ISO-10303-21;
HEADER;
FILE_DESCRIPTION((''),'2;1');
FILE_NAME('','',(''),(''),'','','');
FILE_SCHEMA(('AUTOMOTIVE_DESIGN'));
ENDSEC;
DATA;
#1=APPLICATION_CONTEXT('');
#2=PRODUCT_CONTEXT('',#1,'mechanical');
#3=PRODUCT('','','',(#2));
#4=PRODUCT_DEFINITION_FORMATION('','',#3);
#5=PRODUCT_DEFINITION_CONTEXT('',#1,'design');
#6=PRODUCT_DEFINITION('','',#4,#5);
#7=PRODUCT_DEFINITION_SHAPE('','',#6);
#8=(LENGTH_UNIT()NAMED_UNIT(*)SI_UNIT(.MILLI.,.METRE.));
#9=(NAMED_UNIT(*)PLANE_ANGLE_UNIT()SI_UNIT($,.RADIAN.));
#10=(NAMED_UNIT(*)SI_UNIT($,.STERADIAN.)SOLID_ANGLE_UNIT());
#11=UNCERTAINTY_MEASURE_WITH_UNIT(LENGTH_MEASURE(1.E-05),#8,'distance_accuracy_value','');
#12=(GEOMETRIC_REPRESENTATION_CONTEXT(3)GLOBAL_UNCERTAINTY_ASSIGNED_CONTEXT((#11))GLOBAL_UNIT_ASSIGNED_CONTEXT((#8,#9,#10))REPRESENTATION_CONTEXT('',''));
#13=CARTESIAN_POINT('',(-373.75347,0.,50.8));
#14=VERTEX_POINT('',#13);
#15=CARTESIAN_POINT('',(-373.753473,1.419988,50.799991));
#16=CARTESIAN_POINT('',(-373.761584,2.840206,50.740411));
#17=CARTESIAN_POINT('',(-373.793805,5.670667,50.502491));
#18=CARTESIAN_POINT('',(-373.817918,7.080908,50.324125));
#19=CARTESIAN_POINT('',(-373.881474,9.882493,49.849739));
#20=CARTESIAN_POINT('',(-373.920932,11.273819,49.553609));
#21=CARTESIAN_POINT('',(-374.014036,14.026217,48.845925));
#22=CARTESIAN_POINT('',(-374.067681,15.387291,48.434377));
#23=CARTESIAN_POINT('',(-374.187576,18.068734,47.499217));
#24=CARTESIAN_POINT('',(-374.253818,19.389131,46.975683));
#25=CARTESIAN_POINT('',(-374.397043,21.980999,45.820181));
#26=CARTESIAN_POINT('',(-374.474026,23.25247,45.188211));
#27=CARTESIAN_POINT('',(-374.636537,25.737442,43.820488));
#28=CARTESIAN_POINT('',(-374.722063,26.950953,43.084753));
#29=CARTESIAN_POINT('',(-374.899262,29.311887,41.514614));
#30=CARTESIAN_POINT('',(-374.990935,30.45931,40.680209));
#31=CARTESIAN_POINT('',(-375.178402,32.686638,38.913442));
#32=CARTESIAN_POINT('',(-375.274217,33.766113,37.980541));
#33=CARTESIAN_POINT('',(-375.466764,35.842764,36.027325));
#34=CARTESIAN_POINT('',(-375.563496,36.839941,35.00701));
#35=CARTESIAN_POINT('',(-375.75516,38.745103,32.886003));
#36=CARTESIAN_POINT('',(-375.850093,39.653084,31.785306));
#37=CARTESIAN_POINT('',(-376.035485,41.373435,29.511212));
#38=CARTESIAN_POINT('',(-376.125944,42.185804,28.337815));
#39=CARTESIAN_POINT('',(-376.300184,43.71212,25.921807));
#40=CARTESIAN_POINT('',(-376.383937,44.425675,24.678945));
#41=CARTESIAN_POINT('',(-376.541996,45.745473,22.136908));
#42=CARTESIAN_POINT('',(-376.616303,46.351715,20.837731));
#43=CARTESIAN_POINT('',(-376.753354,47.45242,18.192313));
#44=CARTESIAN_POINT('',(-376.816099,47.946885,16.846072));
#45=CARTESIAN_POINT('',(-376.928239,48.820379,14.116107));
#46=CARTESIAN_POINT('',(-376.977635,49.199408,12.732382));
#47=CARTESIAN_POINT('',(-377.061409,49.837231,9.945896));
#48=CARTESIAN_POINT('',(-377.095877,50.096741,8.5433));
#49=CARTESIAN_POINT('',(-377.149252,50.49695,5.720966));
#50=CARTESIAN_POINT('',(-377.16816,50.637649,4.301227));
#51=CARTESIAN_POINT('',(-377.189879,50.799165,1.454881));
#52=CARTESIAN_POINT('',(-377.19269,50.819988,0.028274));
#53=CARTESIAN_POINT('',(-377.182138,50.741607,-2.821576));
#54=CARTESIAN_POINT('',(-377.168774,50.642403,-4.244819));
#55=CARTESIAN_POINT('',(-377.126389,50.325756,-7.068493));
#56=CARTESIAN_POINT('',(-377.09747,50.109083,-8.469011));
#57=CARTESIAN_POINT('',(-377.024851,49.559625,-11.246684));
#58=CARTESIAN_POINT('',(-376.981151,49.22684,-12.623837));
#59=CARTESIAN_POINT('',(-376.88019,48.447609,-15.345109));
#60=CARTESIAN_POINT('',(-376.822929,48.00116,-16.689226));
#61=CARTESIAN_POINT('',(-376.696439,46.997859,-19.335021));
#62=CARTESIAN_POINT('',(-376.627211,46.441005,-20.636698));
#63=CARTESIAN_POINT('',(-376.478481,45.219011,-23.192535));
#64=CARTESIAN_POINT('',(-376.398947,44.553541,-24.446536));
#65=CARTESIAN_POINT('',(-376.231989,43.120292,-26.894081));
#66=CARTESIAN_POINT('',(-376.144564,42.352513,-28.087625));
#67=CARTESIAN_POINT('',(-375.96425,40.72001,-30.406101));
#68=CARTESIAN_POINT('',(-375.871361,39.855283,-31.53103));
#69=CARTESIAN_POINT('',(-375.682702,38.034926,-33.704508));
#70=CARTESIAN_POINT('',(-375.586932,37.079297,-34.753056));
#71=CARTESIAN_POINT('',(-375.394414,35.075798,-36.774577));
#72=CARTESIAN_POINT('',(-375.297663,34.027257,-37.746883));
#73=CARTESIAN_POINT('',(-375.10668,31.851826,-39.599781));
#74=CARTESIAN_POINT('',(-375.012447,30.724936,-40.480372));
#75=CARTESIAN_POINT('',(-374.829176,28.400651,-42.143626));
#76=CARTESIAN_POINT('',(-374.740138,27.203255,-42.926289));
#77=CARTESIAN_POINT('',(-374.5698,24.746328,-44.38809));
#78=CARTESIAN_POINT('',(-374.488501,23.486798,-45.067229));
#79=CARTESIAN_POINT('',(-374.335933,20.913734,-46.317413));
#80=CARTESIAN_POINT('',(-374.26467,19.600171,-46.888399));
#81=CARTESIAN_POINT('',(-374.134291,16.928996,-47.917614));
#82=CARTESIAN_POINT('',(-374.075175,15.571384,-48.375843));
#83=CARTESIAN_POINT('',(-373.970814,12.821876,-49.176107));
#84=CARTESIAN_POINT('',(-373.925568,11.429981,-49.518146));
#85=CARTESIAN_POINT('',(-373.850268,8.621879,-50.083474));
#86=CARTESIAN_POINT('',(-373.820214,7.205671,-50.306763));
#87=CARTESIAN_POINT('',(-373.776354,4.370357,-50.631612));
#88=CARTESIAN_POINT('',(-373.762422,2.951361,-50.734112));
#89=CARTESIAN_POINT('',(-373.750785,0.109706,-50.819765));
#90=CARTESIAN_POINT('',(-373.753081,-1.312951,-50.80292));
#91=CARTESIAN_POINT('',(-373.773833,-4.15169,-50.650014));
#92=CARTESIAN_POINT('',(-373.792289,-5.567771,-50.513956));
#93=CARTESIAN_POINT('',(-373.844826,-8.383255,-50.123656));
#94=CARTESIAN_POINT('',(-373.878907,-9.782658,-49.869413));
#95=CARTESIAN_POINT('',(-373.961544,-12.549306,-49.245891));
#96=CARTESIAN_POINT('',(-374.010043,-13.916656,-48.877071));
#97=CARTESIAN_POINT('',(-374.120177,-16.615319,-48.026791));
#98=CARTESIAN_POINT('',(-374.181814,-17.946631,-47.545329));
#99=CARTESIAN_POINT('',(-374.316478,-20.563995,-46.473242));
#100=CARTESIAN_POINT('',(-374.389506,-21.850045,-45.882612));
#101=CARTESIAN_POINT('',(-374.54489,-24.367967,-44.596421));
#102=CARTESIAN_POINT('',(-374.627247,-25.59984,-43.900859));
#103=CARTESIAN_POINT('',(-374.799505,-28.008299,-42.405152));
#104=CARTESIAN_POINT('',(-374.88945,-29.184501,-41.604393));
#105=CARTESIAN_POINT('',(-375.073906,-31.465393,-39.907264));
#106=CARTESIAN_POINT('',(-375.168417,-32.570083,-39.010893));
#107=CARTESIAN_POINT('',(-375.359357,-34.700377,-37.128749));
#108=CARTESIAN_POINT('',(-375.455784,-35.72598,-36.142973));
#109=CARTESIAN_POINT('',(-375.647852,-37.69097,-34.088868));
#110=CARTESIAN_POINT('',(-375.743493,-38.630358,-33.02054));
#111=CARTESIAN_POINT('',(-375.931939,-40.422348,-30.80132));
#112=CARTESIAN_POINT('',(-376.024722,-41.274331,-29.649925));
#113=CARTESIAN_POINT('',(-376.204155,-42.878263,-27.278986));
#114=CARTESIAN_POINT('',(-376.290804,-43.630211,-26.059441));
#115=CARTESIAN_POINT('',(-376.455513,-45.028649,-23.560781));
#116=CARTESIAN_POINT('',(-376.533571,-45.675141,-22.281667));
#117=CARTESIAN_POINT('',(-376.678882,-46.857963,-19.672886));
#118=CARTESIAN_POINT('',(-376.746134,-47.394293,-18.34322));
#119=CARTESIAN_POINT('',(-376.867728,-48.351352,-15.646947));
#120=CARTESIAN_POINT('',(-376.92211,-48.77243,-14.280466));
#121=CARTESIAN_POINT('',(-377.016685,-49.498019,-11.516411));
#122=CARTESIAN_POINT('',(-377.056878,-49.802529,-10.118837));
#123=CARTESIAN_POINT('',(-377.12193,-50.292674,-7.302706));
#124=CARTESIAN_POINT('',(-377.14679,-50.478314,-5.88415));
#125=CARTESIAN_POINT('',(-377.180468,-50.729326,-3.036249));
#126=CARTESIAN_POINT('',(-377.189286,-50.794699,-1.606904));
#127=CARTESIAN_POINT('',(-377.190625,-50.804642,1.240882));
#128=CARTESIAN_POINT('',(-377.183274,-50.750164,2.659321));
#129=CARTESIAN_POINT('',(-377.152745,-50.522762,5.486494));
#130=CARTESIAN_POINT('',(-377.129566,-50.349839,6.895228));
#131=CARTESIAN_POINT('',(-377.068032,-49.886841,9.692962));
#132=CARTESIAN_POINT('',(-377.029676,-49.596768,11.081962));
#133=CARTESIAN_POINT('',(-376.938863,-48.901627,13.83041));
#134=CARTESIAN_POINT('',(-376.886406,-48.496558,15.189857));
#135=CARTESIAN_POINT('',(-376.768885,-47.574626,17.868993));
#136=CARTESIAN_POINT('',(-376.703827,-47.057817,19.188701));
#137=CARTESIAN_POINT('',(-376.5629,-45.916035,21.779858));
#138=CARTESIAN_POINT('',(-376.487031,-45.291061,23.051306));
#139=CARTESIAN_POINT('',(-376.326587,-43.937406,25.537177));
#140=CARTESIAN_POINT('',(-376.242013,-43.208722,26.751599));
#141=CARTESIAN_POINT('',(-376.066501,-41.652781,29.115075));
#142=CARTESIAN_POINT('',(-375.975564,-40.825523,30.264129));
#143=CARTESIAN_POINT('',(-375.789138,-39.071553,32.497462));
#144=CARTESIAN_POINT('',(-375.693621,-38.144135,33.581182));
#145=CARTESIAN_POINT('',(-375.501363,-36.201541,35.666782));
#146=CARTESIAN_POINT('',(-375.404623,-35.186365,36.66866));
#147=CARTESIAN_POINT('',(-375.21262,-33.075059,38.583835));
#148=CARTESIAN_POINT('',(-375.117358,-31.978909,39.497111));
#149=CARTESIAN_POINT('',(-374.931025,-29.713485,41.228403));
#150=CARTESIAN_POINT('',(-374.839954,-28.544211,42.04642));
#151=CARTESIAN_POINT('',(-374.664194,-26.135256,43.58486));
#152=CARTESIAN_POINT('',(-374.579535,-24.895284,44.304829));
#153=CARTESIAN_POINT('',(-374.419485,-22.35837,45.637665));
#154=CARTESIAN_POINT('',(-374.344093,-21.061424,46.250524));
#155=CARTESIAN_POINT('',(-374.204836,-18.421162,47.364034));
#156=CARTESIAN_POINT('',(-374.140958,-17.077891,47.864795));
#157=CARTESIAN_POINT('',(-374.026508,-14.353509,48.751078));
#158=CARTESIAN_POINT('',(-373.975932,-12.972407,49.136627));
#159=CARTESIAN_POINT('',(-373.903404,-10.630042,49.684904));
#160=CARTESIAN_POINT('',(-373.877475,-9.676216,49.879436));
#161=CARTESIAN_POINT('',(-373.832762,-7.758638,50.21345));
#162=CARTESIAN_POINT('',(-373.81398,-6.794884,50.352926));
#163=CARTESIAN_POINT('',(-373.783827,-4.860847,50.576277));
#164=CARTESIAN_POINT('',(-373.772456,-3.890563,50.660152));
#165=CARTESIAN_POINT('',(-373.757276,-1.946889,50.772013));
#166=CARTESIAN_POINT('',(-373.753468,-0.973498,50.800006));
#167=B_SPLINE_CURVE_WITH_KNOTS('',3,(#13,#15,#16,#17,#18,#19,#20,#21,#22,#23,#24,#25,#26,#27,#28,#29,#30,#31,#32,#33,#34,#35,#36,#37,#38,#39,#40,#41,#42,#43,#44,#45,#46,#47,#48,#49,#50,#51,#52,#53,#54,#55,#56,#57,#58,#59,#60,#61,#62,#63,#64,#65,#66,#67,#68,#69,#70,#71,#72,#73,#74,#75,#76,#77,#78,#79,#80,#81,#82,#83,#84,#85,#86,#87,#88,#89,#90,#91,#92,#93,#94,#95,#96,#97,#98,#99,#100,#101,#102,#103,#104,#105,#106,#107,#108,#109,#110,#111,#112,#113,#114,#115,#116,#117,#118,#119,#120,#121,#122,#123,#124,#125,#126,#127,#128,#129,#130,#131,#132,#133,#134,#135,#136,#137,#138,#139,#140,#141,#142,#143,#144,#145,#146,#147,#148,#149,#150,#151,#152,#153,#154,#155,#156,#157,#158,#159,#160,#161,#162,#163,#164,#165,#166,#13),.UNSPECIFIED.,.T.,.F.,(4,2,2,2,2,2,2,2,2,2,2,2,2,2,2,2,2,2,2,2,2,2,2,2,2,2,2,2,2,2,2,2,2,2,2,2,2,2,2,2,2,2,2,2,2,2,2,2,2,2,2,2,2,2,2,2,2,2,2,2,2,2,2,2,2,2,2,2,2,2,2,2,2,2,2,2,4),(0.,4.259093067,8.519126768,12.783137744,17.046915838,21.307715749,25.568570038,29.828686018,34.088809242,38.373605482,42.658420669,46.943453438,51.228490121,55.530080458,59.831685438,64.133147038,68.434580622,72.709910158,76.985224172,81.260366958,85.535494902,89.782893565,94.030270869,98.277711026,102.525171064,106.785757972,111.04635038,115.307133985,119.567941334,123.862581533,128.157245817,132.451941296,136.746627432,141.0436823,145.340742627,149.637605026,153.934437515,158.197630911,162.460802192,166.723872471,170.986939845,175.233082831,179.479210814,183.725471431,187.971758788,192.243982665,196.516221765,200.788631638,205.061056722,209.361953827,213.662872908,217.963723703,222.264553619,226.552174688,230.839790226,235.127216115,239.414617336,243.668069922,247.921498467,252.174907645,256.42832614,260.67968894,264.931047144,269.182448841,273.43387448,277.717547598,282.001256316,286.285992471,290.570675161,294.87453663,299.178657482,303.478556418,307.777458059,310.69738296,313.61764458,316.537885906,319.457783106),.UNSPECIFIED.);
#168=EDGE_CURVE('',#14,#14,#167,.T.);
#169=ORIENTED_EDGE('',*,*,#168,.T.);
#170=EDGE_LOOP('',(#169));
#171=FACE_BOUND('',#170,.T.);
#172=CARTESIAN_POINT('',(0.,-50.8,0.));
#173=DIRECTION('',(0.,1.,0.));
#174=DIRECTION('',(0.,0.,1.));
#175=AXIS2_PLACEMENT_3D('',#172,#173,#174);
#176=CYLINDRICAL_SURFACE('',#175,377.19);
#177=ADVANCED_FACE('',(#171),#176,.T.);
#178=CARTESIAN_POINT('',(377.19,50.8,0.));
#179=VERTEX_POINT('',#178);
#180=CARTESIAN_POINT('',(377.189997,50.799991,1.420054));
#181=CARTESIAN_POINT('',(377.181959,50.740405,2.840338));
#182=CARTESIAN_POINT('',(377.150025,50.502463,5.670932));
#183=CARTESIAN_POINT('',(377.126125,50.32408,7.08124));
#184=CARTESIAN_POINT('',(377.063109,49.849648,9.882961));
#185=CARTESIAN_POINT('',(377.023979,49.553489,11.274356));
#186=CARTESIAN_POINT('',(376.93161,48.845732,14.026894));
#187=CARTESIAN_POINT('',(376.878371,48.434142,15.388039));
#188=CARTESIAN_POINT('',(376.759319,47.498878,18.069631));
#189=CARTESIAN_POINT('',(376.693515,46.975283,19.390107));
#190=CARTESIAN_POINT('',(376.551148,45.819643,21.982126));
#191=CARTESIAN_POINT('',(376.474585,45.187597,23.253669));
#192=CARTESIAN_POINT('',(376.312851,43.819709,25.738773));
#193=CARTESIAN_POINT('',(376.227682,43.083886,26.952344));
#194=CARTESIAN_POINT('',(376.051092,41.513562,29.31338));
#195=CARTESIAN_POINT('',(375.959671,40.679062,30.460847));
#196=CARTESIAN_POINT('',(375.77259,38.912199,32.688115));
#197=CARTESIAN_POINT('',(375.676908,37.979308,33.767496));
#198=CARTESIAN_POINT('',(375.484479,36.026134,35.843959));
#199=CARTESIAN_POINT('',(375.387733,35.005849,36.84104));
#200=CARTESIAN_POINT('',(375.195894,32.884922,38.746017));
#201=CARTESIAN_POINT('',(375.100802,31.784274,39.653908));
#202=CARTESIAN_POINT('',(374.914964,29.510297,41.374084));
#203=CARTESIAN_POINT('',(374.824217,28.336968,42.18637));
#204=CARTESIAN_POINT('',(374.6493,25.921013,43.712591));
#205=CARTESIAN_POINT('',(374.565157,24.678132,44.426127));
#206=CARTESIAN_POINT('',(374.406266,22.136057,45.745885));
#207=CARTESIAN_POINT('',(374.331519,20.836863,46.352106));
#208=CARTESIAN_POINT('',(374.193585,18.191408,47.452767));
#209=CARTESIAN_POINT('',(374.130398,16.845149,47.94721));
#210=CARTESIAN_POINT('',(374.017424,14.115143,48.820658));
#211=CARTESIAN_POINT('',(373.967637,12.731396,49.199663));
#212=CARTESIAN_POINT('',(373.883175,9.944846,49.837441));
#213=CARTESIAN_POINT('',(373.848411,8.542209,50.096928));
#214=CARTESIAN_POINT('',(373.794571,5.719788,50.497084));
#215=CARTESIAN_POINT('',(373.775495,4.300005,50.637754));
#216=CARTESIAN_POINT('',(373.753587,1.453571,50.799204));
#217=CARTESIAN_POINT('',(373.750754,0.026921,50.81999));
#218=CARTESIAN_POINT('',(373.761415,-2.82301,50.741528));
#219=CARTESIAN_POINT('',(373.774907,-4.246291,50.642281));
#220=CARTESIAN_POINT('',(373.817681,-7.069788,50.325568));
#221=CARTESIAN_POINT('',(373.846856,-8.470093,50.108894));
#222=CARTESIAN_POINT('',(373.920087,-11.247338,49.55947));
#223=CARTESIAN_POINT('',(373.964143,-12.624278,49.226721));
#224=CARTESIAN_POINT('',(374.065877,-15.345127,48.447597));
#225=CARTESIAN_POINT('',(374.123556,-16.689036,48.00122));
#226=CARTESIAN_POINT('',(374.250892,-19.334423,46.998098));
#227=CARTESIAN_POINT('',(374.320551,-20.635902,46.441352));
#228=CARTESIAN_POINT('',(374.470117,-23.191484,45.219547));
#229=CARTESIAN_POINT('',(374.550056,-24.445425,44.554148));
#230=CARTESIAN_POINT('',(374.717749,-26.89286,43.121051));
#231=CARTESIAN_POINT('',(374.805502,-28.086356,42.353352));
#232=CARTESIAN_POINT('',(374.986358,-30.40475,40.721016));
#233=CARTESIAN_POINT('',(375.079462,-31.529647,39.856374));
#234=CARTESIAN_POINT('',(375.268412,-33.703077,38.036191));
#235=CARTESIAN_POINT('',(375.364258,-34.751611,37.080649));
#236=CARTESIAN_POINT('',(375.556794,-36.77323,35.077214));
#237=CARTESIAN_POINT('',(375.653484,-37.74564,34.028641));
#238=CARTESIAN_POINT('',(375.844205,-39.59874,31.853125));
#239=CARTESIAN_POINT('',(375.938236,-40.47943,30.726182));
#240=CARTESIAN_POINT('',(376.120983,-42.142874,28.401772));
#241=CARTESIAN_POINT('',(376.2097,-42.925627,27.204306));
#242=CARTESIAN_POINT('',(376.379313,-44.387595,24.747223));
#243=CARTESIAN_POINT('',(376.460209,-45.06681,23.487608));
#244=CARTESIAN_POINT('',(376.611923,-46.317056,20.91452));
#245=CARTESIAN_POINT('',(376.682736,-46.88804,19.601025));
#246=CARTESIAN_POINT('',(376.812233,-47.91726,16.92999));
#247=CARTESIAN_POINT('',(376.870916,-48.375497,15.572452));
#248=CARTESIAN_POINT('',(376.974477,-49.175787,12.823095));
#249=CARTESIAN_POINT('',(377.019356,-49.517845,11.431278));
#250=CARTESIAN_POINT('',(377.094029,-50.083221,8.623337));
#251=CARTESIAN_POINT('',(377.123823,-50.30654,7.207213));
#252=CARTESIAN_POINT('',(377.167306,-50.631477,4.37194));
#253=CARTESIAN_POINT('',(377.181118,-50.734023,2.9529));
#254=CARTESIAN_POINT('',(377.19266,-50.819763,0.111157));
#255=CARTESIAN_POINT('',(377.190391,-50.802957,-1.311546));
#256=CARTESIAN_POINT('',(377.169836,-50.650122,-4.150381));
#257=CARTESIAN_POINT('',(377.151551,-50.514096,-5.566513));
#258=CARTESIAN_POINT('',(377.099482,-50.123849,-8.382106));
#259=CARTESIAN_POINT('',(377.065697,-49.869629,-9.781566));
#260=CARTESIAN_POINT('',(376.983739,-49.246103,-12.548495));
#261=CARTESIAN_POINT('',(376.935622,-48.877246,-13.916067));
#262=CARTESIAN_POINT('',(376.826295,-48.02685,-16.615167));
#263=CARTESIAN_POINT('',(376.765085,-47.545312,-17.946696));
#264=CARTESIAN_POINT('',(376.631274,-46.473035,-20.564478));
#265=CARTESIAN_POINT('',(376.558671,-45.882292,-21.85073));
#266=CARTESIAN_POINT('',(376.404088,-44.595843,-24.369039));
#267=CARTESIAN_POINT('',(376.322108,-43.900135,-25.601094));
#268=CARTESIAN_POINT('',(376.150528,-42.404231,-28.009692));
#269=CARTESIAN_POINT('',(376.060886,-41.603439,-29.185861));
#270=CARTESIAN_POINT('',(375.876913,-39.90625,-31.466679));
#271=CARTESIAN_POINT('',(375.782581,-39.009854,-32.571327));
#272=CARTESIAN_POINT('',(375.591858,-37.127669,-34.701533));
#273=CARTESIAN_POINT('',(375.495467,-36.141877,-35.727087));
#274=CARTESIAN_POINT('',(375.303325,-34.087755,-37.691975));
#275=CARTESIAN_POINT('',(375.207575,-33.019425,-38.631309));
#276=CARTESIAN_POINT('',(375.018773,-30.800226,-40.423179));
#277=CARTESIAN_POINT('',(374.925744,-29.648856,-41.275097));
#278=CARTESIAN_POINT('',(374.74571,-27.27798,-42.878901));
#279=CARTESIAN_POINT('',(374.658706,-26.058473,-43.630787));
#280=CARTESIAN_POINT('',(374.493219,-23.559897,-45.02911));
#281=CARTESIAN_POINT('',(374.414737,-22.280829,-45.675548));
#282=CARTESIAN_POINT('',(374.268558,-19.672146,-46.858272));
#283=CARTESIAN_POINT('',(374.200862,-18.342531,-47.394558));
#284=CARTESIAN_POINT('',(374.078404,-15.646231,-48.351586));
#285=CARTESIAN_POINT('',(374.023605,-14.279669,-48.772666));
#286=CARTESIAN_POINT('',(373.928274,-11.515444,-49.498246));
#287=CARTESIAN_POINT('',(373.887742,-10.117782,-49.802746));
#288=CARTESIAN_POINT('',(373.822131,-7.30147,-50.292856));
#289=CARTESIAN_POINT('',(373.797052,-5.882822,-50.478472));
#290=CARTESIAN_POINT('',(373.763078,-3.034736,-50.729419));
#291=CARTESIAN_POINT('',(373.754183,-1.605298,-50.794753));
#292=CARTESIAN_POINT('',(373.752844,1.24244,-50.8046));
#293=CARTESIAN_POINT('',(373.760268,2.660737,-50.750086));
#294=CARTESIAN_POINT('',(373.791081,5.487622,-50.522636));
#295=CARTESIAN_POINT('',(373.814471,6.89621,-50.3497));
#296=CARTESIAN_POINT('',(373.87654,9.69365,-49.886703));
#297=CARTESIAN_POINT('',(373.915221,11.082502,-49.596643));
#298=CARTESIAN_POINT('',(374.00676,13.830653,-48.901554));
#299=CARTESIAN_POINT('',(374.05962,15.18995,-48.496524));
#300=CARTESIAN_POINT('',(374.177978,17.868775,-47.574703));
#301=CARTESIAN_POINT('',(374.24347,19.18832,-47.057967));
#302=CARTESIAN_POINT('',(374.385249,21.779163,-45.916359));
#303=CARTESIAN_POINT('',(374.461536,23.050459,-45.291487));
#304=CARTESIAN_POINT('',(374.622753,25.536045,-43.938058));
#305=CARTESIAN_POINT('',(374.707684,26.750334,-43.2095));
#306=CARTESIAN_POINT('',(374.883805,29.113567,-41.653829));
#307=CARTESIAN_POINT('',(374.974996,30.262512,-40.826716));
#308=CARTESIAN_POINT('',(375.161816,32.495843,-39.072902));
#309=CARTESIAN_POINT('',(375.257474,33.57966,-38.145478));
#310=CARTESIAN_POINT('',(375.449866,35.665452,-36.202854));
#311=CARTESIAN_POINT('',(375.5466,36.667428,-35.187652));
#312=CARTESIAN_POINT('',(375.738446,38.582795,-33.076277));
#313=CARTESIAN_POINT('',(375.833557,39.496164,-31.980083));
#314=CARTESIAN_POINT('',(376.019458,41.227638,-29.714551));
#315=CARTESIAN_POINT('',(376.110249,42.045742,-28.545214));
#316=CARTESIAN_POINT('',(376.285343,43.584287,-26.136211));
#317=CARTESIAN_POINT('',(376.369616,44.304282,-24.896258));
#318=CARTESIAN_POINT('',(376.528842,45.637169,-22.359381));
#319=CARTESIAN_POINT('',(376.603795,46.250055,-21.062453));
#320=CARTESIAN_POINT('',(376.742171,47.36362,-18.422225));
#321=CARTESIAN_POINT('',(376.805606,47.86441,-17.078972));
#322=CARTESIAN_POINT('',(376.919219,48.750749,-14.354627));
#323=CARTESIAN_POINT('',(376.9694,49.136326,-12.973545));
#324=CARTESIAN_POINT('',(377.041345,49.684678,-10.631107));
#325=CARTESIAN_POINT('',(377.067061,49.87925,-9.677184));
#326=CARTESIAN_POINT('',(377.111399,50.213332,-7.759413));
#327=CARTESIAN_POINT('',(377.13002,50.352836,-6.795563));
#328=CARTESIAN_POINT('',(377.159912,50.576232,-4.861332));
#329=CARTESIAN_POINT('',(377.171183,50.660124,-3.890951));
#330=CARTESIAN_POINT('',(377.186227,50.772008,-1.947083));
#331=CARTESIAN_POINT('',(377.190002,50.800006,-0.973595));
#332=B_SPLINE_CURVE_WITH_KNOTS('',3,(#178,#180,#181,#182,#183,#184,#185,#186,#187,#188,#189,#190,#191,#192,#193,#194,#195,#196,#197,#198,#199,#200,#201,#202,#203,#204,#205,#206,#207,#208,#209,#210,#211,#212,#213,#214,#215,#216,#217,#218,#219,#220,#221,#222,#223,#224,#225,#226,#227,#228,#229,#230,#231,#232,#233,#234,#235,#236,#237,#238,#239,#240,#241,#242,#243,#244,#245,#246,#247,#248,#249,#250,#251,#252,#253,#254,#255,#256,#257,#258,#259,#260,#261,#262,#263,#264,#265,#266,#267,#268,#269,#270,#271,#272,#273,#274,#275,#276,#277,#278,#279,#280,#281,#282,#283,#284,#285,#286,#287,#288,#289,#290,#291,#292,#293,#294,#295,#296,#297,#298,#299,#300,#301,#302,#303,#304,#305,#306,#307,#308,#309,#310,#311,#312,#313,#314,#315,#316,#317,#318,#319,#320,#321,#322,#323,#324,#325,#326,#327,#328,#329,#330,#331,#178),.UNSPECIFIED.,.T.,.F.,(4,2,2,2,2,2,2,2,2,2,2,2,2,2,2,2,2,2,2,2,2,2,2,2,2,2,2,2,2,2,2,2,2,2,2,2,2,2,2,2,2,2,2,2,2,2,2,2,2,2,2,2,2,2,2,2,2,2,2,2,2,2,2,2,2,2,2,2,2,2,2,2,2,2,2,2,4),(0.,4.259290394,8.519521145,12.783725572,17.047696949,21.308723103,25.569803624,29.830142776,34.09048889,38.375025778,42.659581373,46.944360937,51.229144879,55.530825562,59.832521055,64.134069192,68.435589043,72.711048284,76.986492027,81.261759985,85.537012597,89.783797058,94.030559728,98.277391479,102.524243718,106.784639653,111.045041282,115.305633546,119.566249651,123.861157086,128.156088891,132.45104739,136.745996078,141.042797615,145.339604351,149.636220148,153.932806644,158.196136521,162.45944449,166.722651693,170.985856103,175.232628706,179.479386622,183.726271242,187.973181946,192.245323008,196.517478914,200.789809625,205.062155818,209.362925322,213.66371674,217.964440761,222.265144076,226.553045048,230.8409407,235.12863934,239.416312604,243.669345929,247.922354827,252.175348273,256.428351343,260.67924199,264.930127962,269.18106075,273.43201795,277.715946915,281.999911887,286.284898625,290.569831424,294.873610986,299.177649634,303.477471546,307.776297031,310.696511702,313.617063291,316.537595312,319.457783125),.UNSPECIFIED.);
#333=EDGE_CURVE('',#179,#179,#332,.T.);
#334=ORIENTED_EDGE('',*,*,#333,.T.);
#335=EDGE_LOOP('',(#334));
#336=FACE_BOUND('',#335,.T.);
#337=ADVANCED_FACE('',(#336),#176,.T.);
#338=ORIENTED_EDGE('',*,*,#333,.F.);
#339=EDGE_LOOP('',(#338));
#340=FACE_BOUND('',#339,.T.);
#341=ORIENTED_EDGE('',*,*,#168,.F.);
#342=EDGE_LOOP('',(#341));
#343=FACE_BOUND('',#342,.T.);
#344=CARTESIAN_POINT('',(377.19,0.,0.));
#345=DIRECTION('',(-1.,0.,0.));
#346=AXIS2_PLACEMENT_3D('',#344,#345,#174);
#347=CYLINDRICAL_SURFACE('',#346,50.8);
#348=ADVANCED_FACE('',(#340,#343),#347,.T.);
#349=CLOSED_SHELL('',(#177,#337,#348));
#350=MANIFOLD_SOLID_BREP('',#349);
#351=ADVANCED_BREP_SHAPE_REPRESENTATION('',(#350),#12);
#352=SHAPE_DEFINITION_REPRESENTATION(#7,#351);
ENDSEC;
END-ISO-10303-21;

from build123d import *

# Parameters (mm, degrees)
SKETCH1_R               = 50.8
BOSS_EXTRUDE1_DEPTH     = 377.19
CUT_EXTRUDE1_DEPTH      = 384.970801103
CUT_EXTRUDE1_DEPTH_BACK = 384.970801103


with BuildPart() as part:
    # Sketch1 → Boss-Extrude1 (new, symmetric)
    with BuildSketch(Plane(origin=(0, 0, 0), x_dir=(0, 0, -1), z_dir=(1, 0, 0))):
        Circle(SKETCH1_R)
    extrude(amount=BOSS_EXTRUDE1_DEPTH, both=True)

    # Sketch2 → Cut-Extrude1 (cut, two sides: drawn at the far end of the back side and taken through both)
    with BuildSketch(Plane(origin=(0, 0, 0), x_dir=(1, 0, 0), z_dir=(0, 1, 0)).offset(-CUT_EXTRUDE1_DEPTH_BACK)):
        with BuildLine():
            Line((-373.753469683, 50.8), (-377.19, 50.8))
            Line((-377.19, 50.8), (-403.126645184, 50.8))
            Line((-403.126645184, 50.8), (-403.126645184, -50.8))
            Line((-403.126645184, -50.8), (-373.753469683, -50.8))
            ThreePointArc((-373.753469683, -50.8), (-377.19, 0), (-373.753469683, 50.8))
        make_face()
        with BuildLine():
            Line((414.154835098, 50.8), (373.753469683, 50.8))
            ThreePointArc((373.753469683, 50.8), (376.329886755, 25.458052462), (377.19, 0))
            ThreePointArc((377.19, 0), (376.329886755, -25.458052462), (373.753469683, -50.8))
            Line((373.753469683, -50.8), (377.19, -50.8))
            Line((377.19, -50.8), (414.154835098, -50.8))
            Line((414.154835098, -50.8), (414.154835098, 50.8))
        make_face()
    extrude(amount=CUT_EXTRUDE1_DEPTH + CUT_EXTRUDE1_DEPTH_BACK, mode=Mode.SUBTRACT)


solid = part.part
